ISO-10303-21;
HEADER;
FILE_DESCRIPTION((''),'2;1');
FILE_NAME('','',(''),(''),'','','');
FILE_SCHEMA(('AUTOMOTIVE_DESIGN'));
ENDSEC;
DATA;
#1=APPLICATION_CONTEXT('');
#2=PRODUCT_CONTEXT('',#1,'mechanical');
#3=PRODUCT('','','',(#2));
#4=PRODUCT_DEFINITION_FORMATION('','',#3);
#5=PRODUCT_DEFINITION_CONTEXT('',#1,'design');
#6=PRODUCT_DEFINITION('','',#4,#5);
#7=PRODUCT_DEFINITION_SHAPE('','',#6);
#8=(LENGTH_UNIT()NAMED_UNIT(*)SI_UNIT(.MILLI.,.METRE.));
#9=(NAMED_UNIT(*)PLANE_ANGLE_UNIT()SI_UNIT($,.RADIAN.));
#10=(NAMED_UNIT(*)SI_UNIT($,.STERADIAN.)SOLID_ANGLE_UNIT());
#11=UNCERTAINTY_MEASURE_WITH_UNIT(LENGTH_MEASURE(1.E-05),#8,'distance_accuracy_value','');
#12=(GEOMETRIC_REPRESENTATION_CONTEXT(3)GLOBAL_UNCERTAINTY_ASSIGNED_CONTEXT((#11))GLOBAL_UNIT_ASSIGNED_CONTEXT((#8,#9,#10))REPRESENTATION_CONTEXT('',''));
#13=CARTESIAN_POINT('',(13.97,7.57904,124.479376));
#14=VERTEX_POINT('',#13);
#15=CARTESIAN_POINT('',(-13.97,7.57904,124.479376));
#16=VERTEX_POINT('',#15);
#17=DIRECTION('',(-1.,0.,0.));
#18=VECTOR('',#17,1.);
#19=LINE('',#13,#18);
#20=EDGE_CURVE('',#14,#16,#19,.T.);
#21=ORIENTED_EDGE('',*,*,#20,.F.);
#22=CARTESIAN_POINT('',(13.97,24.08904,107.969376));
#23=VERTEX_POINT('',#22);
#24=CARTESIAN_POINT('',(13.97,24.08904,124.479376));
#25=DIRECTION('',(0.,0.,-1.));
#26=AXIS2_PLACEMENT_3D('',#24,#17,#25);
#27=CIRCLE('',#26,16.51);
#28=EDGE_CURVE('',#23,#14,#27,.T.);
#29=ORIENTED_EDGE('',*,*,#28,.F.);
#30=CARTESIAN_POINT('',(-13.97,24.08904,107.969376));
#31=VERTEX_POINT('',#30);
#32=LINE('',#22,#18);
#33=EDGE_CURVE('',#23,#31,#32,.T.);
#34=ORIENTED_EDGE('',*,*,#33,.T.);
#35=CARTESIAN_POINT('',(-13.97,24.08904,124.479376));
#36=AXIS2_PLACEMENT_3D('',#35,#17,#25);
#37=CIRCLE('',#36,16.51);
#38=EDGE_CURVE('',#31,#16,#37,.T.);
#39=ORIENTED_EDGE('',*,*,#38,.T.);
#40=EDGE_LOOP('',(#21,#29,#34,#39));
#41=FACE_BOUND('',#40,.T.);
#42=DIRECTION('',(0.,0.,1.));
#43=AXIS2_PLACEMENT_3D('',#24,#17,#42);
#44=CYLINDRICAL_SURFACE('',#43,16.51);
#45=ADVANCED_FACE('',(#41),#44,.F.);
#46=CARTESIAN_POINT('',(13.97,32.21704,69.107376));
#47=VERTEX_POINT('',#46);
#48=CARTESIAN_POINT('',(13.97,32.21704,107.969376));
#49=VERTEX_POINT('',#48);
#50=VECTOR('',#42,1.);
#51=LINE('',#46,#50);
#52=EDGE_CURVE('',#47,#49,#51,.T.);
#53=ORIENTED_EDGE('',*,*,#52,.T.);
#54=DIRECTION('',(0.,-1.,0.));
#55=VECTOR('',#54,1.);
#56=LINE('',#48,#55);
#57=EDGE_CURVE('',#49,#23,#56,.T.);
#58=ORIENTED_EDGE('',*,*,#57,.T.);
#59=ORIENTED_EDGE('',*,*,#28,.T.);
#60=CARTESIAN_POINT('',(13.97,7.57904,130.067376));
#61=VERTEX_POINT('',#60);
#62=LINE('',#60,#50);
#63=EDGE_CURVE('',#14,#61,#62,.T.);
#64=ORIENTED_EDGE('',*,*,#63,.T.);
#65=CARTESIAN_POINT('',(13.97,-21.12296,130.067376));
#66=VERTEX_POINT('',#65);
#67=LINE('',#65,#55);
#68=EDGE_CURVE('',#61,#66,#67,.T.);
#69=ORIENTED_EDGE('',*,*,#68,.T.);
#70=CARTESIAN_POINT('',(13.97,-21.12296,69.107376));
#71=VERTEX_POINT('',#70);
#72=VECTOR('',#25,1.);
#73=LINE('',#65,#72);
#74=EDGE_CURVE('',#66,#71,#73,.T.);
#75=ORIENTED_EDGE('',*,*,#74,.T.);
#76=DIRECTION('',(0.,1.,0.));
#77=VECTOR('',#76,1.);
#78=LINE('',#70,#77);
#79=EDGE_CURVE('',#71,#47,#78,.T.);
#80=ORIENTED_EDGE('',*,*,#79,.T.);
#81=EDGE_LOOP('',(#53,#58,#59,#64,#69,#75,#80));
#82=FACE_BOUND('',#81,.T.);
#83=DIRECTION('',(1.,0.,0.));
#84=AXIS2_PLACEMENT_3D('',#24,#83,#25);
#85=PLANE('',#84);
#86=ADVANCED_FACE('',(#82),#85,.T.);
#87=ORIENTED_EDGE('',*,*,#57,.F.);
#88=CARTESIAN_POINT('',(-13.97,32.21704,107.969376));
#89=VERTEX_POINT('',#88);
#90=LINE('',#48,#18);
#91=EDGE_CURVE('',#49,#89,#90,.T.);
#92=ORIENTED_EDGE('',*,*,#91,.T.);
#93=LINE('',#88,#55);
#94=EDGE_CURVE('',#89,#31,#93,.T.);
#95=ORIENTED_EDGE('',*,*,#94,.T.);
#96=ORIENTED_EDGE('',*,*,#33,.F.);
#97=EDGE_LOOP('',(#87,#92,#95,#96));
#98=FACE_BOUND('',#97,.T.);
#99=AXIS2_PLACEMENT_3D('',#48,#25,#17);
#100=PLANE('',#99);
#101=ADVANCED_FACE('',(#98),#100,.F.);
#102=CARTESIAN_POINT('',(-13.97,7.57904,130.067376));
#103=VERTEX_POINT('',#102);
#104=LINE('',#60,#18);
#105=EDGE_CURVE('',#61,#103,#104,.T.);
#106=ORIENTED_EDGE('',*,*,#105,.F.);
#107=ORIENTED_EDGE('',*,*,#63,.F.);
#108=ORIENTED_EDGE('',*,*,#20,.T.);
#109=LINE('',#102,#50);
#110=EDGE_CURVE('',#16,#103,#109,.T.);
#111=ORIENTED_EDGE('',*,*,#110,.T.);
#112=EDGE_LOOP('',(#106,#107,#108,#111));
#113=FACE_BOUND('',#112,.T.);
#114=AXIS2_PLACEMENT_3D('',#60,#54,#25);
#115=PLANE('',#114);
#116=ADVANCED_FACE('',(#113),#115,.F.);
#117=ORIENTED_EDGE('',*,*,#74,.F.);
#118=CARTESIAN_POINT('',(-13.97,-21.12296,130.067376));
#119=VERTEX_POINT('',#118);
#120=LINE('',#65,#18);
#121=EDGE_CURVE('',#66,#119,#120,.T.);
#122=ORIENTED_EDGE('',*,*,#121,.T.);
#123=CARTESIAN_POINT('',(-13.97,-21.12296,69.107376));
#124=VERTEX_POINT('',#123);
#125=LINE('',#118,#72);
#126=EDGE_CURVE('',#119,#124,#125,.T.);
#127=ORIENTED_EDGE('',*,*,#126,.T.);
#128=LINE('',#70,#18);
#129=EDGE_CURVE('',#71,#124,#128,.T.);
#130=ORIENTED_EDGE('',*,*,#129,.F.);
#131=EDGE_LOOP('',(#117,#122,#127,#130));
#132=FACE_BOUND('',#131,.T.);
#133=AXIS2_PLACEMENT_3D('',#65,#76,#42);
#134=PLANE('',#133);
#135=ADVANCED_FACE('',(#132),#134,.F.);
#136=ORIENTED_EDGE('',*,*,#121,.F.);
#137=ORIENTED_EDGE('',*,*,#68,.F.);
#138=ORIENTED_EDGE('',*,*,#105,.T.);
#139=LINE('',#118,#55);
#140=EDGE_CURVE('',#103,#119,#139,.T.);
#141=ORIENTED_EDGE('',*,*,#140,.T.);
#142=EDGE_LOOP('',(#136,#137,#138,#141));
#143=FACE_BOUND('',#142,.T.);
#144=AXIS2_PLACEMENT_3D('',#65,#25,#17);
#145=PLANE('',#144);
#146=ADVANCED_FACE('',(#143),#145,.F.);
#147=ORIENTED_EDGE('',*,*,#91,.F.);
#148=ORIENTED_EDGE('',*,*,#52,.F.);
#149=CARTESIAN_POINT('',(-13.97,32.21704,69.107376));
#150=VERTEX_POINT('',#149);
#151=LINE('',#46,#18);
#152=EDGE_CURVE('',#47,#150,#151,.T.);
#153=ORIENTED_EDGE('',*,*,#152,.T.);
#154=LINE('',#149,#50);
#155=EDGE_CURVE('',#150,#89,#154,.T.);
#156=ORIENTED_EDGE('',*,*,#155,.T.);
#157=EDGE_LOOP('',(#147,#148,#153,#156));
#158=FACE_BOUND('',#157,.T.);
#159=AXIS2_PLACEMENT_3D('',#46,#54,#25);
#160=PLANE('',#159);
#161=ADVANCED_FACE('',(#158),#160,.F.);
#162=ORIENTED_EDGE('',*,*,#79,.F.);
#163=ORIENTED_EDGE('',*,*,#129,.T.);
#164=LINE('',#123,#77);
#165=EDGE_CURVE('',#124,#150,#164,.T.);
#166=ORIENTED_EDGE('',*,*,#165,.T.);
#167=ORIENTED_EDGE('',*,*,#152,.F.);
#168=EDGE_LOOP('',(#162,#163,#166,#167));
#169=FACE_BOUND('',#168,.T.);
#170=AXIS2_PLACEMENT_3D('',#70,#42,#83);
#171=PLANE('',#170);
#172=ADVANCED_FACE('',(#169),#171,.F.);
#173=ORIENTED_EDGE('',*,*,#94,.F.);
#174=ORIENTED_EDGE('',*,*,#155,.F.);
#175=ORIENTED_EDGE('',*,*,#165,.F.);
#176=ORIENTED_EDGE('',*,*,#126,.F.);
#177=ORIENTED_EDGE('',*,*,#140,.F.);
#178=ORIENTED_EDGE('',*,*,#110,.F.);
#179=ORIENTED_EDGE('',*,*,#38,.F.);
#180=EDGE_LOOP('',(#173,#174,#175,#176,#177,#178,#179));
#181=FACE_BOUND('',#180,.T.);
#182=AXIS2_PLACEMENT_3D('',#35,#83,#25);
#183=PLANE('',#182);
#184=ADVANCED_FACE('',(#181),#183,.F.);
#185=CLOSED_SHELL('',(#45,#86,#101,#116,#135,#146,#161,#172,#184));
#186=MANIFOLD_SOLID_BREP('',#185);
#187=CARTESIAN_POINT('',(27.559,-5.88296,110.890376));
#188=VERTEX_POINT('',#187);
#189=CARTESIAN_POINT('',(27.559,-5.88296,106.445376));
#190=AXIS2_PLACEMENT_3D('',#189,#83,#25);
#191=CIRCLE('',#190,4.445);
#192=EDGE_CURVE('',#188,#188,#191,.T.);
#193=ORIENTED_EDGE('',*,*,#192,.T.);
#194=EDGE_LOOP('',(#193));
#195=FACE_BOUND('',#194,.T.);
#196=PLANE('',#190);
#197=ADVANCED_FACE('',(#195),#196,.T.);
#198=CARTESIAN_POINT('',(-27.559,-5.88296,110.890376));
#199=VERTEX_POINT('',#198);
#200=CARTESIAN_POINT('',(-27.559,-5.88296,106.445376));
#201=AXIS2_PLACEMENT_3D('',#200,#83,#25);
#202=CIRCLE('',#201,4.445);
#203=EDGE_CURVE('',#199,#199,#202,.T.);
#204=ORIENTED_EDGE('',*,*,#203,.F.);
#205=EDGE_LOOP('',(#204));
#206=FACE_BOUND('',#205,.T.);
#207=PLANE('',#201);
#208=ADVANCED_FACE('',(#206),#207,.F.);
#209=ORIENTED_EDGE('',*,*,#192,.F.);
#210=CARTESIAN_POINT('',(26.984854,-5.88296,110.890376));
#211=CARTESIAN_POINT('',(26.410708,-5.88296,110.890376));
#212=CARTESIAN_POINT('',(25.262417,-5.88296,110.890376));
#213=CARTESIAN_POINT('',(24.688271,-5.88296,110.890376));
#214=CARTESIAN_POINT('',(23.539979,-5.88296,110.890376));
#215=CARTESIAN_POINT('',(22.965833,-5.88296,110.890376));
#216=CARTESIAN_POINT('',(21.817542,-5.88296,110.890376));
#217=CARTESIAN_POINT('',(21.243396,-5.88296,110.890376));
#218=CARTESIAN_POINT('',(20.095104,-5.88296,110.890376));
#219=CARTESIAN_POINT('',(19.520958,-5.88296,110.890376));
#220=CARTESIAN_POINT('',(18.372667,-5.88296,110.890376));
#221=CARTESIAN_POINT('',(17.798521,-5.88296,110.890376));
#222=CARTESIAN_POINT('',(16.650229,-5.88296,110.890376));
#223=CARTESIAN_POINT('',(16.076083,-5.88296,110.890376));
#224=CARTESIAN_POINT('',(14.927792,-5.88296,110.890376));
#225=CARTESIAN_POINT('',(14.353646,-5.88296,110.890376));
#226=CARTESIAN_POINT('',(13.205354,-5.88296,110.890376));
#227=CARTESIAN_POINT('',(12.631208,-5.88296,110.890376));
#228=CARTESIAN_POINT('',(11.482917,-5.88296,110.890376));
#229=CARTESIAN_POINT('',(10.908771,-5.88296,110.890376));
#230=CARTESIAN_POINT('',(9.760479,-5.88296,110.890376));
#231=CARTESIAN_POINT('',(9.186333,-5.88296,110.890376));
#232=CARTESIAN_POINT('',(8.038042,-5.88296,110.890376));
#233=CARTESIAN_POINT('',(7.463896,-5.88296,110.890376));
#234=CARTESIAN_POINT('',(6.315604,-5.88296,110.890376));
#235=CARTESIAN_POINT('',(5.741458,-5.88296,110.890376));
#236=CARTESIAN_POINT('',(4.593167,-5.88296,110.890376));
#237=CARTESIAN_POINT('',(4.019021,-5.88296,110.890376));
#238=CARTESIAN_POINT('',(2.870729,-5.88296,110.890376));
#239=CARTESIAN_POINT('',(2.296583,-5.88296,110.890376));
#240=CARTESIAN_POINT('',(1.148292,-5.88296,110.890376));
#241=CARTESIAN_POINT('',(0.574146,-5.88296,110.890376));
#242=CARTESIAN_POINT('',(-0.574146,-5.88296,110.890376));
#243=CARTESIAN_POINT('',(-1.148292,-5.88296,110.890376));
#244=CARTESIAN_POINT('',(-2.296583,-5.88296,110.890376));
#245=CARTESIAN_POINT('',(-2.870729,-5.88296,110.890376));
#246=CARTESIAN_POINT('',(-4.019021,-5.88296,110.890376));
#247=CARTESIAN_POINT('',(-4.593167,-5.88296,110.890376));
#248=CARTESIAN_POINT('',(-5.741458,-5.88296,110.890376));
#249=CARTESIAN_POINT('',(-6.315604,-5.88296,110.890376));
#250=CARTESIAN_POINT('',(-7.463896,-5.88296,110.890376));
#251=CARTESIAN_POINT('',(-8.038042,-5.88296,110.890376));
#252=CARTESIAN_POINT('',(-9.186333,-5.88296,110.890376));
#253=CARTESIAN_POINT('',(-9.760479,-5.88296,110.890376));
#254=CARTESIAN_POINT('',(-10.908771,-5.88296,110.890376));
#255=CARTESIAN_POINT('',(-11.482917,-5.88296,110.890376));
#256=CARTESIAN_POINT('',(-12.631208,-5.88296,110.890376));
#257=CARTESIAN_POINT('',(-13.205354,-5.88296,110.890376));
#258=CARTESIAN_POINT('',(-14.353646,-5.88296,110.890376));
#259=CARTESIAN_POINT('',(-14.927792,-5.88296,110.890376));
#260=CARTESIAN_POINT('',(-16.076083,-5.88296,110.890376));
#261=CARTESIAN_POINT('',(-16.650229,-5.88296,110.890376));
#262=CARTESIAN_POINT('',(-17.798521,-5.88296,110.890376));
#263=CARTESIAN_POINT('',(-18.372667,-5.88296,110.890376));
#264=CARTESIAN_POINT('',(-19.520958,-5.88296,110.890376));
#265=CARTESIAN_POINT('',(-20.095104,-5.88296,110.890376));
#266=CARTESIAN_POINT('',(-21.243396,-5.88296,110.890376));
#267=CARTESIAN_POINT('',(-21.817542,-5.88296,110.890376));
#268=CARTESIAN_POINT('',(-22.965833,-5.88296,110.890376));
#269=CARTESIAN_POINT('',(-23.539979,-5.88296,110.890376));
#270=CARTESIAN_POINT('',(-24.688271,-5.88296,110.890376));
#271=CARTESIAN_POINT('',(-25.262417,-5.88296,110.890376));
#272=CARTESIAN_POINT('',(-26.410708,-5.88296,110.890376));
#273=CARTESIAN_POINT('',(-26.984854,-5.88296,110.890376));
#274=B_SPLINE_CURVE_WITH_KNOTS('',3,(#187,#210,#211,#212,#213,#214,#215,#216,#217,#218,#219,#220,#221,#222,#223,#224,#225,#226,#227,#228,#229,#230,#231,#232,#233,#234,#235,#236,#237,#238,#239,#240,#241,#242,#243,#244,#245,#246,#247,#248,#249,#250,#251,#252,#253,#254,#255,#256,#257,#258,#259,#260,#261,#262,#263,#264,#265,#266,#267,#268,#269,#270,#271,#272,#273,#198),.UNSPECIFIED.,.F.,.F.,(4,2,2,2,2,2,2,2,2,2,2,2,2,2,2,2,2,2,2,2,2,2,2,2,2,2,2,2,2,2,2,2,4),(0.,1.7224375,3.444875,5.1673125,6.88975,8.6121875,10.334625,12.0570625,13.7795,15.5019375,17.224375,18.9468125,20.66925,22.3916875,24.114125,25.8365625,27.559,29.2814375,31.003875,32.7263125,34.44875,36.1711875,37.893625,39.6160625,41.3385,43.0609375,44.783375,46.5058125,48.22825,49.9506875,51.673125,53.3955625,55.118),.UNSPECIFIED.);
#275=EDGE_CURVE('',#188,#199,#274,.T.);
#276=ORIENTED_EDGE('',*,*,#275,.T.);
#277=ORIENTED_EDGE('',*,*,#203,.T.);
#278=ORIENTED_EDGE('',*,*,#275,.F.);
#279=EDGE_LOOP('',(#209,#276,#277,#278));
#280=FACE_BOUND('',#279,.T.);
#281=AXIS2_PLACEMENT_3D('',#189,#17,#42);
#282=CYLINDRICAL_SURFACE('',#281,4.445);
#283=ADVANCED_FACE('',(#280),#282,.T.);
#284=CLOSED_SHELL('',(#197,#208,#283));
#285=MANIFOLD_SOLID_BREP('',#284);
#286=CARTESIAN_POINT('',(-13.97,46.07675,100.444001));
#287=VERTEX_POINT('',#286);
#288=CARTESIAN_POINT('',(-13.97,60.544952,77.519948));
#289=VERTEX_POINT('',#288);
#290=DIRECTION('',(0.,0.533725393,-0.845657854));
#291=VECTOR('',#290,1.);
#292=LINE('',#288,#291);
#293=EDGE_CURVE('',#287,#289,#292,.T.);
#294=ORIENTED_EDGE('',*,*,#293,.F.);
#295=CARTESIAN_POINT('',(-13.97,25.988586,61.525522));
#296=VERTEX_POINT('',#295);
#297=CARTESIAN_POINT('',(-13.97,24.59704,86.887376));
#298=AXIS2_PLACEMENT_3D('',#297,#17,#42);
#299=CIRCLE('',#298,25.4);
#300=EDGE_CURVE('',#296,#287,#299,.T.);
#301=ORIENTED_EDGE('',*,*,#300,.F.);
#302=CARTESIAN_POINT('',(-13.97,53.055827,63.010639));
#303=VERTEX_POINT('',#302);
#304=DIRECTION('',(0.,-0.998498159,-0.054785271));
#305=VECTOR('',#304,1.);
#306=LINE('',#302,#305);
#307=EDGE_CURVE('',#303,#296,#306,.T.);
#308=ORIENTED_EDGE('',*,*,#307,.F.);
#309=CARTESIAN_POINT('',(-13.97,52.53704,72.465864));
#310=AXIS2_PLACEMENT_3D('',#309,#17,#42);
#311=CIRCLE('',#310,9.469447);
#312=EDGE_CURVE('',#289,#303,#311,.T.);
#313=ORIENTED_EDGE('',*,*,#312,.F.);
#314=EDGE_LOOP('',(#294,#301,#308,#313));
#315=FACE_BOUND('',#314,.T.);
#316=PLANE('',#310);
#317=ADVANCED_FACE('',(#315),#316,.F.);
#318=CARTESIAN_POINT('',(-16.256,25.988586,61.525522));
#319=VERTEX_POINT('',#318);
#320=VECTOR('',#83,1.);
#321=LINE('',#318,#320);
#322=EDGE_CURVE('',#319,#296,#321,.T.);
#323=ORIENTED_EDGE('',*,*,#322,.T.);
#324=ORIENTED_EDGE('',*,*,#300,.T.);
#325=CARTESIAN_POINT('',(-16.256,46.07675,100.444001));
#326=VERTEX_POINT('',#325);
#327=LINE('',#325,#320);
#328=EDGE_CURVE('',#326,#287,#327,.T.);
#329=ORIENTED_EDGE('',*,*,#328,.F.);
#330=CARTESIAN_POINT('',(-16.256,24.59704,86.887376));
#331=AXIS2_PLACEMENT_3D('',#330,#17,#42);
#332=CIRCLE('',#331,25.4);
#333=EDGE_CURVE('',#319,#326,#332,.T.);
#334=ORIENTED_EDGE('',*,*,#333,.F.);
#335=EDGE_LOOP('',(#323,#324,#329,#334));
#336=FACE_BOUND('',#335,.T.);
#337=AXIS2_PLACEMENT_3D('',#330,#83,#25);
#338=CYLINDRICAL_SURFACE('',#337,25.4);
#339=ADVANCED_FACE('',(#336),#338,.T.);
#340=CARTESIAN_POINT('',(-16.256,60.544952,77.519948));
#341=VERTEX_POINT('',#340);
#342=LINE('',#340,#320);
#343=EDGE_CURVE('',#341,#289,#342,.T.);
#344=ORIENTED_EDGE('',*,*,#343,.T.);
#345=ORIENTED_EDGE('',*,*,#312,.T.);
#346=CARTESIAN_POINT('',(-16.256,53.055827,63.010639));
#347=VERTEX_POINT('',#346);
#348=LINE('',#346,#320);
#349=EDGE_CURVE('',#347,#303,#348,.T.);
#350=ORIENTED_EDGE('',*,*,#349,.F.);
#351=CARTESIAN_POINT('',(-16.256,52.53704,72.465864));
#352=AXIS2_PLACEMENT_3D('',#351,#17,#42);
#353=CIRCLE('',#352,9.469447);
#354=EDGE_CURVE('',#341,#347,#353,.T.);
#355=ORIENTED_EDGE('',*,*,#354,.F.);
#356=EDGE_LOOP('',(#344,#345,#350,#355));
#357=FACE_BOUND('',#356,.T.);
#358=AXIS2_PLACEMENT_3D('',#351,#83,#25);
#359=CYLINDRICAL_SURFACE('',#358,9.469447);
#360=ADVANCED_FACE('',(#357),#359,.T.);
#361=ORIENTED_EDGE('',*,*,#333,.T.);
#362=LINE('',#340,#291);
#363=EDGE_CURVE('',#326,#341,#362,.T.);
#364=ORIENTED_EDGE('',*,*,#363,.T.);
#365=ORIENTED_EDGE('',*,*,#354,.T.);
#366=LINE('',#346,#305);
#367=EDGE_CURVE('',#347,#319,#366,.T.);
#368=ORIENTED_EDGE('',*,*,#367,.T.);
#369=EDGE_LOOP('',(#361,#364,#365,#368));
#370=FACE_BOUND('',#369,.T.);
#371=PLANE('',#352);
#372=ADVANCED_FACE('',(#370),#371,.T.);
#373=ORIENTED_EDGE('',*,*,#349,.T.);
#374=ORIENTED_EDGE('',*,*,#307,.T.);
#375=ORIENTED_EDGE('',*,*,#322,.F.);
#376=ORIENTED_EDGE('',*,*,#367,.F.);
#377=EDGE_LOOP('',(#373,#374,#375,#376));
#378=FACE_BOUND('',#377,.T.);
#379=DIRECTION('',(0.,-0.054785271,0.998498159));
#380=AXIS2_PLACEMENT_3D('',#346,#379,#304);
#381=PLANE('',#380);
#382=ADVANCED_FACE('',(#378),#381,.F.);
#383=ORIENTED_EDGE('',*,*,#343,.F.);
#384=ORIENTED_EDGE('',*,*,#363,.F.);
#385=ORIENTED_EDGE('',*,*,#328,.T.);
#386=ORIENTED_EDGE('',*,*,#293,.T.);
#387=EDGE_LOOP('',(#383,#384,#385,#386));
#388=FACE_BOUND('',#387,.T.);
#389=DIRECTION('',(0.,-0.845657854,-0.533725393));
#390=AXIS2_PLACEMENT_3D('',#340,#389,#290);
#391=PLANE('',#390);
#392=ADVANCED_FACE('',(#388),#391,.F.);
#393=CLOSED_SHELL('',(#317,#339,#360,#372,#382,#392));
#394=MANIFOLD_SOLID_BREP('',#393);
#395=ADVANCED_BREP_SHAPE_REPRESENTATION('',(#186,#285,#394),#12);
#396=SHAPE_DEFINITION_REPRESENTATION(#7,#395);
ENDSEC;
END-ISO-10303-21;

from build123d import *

# Parameters (mm, degrees)
EXTRUDE1_DEPTH = 13.97
SKETCH2_R      = 4.445
EXTRUDE2_DEPTH = 27.559
EXTRUDE3_DEPTH = 2.286


with BuildPart() as part:
    # Sketch1 → Extrude1 (new, symmetric)
    with BuildSketch(Plane(origin=(0, 0, 0), x_dir=(0, 0, -1), z_dir=(1, 0, 0))):
        with BuildLine():
            Line((-130.067375666, -21.122959685), (-69.107375666, -21.122959685))
            Line((-69.107375666, -21.122959685), (-69.107375666, 32.217040315))
            Line((-69.107375666, 32.217040315), (-107.969375666, 32.217040315))
            Line((-107.969375666, 32.217040315), (-107.969375666, 24.089040315))
            ThreePointArc((-107.969375666, 24.089040315), (-112.805042709, 12.414707357), (-124.479375666, 7.579040315))
            Line((-124.479375666, 7.579040315), (-130.067375666, 7.579040315))
            Line((-130.067375666, 7.579040315), (-130.067375666, -21.122959685))
        make_face()
    extrude(amount=EXTRUDE1_DEPTH, both=True)


with BuildPart() as body_2:
    # Sketch2 → Extrude2 (new, symmetric)
    with BuildSketch(Plane(origin=(0, 0, 0), x_dir=(0, 0, -1), z_dir=(1, 0, 0))):
        with Locations(Location((-106.445375666, -5.882959685, 0), (0, 0, 180))):
            Circle(SKETCH2_R)
    extrude(amount=EXTRUDE2_DEPTH, both=True)


with BuildPart() as body_3:
    # Sketch3 → Extrude3 (new body)
    with BuildSketch(Plane.ZY.offset(13.97)):
        with BuildLine():
            Line((63.010638923, 53.055826512), (61.525522421, 25.988586197))
            ThreePointArc((61.525522421, 25.988586197), (98.53745862, 2.026360946), (100.44400064, 46.076749794))
            Line((100.44400064, 46.076749794), (77.519948018, 60.544952195))
            ThreePointArc((77.519948018, 60.544952195), (68.122563195, 60.951679798), (63.010638923, 53.055826512))
        make_face()
    extrude(amount=EXTRUDE3_DEPTH)


solid = Compound([part.part, body_2.part, body_3.part])
